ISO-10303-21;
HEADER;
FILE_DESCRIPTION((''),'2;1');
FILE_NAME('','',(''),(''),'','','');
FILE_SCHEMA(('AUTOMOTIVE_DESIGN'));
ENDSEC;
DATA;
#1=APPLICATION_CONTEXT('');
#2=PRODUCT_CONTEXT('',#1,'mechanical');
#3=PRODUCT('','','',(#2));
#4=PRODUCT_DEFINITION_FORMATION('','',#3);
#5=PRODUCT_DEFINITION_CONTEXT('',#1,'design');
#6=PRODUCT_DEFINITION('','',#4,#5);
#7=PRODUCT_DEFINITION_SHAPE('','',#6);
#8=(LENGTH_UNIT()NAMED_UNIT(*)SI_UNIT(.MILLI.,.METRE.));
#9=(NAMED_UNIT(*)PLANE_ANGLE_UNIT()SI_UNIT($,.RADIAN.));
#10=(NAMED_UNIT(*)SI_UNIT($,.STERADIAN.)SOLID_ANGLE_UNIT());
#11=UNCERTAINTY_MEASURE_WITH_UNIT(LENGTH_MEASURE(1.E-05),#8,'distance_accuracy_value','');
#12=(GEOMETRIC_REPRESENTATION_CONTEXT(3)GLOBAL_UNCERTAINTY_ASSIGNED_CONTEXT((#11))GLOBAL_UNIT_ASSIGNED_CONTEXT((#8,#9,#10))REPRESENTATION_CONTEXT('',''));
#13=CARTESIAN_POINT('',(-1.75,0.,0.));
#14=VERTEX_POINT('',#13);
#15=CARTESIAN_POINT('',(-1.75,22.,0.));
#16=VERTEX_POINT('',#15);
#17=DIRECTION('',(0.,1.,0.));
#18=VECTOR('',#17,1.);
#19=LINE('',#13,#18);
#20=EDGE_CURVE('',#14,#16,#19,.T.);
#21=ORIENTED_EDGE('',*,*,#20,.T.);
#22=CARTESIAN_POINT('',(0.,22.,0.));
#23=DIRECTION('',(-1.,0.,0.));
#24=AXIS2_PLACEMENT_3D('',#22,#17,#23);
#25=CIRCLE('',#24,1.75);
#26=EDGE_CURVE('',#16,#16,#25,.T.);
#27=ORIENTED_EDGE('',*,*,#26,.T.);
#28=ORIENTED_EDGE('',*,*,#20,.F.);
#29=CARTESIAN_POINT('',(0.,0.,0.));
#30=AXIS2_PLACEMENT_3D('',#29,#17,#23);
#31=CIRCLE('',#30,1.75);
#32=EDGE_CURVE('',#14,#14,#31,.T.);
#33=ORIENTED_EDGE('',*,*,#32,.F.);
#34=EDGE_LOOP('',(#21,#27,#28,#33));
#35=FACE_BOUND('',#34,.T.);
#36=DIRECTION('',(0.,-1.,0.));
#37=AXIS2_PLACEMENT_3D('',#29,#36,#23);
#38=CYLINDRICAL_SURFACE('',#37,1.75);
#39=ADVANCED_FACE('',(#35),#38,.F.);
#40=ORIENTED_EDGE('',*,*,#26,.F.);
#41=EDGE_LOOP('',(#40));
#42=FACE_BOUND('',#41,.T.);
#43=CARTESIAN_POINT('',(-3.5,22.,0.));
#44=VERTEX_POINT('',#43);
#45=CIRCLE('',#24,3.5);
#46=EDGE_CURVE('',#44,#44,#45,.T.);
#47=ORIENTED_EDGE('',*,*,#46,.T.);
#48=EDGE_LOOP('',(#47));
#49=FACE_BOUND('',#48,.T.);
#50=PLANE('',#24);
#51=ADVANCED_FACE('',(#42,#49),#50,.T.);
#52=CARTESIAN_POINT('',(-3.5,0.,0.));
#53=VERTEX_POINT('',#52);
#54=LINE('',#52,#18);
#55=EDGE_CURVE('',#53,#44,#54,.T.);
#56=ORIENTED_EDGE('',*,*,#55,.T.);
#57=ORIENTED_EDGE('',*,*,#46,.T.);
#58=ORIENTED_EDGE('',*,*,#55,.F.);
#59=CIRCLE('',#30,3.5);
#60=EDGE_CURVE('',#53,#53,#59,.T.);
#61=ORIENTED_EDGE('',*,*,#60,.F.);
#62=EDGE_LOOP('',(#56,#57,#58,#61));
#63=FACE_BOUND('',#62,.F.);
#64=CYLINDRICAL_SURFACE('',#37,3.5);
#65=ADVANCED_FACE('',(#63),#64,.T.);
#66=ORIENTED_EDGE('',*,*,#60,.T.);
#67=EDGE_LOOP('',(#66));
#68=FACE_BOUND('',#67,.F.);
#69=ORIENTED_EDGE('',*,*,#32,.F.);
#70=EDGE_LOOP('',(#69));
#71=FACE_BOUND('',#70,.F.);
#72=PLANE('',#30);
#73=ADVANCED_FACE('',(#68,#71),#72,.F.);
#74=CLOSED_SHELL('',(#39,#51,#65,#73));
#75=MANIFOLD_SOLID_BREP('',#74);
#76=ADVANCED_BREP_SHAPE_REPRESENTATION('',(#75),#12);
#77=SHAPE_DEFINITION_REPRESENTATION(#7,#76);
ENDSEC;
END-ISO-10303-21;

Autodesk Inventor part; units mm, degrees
ref_plane "YZ Plane" through (0, 0, 0) normal (1, 0, 0) x (0, 1, 0)
ref_plane "XZ Plane" through (0, 0, 0) normal (0, 1, 0) x (-1, 0, 0)
ref_plane "XY Plane" through (0, 0, 0) normal (0, 0, 1) x (1, 0, 0)
sketch "Skizze1" plane through (0, 0, 0) normal (0, 1, 0) x (-1, 0, 0)
  circle A0 centre (0, 0) radius 3.5
  circle A1 centre (0, 0) radius 1.75
  dimension "d0" = 7
  dimension "d1" = 3.5
extrude "Extrusion1" add sketch "Skizze1" along normal blind 22
properties part number "_3D-Druck"
